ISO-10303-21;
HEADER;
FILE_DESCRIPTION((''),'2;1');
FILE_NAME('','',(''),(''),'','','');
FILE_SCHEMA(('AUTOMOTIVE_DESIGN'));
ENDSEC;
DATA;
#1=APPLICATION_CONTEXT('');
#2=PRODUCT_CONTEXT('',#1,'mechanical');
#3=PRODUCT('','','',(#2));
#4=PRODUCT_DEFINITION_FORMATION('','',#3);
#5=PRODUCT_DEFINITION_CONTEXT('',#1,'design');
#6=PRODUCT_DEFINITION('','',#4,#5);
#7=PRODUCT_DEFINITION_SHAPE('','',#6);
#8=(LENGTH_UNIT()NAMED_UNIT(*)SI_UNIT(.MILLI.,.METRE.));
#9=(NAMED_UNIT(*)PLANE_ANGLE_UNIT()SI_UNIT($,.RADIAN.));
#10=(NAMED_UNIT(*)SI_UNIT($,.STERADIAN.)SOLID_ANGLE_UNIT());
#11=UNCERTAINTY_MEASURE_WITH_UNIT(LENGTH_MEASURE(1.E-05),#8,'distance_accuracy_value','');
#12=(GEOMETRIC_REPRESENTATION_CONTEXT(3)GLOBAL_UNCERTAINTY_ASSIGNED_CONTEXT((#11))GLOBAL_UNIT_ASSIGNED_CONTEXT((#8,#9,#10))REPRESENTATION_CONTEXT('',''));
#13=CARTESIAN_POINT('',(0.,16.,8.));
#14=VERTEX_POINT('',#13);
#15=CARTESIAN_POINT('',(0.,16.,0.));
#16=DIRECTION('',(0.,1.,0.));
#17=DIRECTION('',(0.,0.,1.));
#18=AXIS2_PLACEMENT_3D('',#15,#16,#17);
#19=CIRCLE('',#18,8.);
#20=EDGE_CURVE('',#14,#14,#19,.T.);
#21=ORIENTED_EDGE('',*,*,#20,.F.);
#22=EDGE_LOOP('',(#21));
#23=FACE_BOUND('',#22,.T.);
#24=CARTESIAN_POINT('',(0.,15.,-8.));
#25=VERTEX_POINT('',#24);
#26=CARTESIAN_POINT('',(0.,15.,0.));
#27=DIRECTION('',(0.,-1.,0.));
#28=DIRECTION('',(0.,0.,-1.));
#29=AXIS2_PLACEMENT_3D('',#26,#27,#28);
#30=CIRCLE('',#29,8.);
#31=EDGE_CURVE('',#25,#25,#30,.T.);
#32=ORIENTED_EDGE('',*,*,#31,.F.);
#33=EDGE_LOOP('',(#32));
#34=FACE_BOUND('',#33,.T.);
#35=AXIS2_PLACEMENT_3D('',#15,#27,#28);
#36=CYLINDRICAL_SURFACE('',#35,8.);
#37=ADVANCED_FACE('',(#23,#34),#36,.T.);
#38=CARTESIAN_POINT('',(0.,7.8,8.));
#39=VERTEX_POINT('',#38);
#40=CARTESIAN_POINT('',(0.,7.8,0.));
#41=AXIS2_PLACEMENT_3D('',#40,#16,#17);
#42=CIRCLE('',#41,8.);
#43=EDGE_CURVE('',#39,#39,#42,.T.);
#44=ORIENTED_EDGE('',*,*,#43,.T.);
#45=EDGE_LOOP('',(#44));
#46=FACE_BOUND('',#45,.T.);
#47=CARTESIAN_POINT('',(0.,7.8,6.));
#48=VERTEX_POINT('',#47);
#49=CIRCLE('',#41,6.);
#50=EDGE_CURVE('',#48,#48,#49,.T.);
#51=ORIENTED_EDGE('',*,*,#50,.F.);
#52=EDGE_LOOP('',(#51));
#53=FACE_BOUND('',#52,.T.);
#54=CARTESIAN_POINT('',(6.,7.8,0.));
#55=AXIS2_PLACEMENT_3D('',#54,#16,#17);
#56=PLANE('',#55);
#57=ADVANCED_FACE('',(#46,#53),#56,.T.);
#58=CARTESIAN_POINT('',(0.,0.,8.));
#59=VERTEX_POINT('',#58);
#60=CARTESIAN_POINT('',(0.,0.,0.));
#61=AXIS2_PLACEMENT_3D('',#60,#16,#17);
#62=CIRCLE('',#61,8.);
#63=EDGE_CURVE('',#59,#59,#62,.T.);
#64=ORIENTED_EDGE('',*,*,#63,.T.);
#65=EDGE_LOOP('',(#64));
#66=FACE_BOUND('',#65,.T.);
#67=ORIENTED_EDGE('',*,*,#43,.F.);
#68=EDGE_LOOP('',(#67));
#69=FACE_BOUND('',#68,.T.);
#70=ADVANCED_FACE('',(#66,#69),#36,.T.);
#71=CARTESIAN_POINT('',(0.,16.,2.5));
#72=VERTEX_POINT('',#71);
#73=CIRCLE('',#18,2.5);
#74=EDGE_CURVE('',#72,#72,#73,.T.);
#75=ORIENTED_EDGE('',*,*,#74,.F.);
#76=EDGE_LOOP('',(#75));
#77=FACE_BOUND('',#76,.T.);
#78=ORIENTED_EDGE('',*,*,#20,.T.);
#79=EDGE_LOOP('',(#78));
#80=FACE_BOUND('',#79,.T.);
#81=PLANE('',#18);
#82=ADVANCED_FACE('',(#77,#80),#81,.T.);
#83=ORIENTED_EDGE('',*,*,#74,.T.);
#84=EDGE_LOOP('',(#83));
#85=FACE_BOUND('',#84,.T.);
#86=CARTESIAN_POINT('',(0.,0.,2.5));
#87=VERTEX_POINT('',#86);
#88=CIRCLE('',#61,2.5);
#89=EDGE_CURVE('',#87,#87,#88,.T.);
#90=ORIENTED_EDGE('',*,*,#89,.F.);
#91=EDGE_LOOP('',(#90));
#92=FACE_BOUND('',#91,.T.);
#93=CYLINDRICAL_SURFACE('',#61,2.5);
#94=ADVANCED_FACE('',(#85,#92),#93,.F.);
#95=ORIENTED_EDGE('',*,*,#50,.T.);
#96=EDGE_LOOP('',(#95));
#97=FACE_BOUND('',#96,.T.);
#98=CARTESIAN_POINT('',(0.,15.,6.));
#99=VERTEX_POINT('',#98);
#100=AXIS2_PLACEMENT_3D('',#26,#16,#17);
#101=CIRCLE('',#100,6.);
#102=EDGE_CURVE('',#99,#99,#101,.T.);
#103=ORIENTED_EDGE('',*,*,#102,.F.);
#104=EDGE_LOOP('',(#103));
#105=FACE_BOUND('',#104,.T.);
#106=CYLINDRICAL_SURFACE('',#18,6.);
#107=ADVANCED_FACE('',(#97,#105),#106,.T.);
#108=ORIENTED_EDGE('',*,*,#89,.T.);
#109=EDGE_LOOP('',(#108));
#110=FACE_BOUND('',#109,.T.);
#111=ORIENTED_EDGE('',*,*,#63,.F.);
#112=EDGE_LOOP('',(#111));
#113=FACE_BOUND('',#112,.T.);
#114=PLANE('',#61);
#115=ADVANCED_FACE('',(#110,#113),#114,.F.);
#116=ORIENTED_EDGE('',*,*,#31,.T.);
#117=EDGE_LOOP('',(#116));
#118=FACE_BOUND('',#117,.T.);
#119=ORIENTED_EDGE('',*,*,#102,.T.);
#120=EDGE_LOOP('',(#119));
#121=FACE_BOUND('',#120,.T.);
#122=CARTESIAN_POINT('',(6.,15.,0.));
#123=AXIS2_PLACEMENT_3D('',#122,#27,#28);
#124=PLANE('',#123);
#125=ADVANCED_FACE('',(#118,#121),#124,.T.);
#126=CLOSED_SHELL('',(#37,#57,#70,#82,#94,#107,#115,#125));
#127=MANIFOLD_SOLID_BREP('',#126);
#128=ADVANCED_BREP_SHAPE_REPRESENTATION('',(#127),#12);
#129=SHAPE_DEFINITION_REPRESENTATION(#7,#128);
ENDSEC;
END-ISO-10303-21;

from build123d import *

# Parameters (mm, degrees)
SKETCH_2_R          = 8
EXTRUDE_1_DEPTH     = 16
SKETCH_3_W          = 2.435323
SKETCH_3_H          = 7.2
SKETCH_4_R          = 2.5
CUT_EXTRUDE_1_DEPTH = 16


with BuildPart() as part:
    # 스케치2 → 보스-돌출1 (new body)
    with BuildSketch(Plane(origin=(0, 0, 0), x_dir=(1, 0, 0), z_dir=(0, 1, 0))):
        with Locations(Location((0, 0, 0), (0, 0, 270))):
            Circle(SKETCH_2_R)
    extrude(amount=EXTRUDE_1_DEPTH)

    # 스케치3 → 컷-회전1 (revolve, cut)
    with BuildSketch(Plane.XY, mode=Mode.PRIVATE) as cut_revolve_1_sk:
        with Locations((7.2176615, 11.4)):
            Rectangle(SKETCH_3_W, SKETCH_3_H)
    revolve(cut_revolve_1_sk.sketch.rotate(Axis((0, 16, 0), (0, -1, 0)), 90), axis=Axis((0, 16, 0), (0, -1, 0)), mode=Mode.SUBTRACT)

    # 스케치4 → 컷-돌출1 (cut)
    with BuildSketch(Plane(origin=(0, 16, 0), x_dir=(1, 0, 0), z_dir=(0, 1, 0))):
        with Locations(Location((0, 0, 0), (0, 0, 270))):
            Circle(SKETCH_4_R)
    extrude(amount=-CUT_EXTRUDE_1_DEPTH, mode=Mode.SUBTRACT)


solid = part.part
